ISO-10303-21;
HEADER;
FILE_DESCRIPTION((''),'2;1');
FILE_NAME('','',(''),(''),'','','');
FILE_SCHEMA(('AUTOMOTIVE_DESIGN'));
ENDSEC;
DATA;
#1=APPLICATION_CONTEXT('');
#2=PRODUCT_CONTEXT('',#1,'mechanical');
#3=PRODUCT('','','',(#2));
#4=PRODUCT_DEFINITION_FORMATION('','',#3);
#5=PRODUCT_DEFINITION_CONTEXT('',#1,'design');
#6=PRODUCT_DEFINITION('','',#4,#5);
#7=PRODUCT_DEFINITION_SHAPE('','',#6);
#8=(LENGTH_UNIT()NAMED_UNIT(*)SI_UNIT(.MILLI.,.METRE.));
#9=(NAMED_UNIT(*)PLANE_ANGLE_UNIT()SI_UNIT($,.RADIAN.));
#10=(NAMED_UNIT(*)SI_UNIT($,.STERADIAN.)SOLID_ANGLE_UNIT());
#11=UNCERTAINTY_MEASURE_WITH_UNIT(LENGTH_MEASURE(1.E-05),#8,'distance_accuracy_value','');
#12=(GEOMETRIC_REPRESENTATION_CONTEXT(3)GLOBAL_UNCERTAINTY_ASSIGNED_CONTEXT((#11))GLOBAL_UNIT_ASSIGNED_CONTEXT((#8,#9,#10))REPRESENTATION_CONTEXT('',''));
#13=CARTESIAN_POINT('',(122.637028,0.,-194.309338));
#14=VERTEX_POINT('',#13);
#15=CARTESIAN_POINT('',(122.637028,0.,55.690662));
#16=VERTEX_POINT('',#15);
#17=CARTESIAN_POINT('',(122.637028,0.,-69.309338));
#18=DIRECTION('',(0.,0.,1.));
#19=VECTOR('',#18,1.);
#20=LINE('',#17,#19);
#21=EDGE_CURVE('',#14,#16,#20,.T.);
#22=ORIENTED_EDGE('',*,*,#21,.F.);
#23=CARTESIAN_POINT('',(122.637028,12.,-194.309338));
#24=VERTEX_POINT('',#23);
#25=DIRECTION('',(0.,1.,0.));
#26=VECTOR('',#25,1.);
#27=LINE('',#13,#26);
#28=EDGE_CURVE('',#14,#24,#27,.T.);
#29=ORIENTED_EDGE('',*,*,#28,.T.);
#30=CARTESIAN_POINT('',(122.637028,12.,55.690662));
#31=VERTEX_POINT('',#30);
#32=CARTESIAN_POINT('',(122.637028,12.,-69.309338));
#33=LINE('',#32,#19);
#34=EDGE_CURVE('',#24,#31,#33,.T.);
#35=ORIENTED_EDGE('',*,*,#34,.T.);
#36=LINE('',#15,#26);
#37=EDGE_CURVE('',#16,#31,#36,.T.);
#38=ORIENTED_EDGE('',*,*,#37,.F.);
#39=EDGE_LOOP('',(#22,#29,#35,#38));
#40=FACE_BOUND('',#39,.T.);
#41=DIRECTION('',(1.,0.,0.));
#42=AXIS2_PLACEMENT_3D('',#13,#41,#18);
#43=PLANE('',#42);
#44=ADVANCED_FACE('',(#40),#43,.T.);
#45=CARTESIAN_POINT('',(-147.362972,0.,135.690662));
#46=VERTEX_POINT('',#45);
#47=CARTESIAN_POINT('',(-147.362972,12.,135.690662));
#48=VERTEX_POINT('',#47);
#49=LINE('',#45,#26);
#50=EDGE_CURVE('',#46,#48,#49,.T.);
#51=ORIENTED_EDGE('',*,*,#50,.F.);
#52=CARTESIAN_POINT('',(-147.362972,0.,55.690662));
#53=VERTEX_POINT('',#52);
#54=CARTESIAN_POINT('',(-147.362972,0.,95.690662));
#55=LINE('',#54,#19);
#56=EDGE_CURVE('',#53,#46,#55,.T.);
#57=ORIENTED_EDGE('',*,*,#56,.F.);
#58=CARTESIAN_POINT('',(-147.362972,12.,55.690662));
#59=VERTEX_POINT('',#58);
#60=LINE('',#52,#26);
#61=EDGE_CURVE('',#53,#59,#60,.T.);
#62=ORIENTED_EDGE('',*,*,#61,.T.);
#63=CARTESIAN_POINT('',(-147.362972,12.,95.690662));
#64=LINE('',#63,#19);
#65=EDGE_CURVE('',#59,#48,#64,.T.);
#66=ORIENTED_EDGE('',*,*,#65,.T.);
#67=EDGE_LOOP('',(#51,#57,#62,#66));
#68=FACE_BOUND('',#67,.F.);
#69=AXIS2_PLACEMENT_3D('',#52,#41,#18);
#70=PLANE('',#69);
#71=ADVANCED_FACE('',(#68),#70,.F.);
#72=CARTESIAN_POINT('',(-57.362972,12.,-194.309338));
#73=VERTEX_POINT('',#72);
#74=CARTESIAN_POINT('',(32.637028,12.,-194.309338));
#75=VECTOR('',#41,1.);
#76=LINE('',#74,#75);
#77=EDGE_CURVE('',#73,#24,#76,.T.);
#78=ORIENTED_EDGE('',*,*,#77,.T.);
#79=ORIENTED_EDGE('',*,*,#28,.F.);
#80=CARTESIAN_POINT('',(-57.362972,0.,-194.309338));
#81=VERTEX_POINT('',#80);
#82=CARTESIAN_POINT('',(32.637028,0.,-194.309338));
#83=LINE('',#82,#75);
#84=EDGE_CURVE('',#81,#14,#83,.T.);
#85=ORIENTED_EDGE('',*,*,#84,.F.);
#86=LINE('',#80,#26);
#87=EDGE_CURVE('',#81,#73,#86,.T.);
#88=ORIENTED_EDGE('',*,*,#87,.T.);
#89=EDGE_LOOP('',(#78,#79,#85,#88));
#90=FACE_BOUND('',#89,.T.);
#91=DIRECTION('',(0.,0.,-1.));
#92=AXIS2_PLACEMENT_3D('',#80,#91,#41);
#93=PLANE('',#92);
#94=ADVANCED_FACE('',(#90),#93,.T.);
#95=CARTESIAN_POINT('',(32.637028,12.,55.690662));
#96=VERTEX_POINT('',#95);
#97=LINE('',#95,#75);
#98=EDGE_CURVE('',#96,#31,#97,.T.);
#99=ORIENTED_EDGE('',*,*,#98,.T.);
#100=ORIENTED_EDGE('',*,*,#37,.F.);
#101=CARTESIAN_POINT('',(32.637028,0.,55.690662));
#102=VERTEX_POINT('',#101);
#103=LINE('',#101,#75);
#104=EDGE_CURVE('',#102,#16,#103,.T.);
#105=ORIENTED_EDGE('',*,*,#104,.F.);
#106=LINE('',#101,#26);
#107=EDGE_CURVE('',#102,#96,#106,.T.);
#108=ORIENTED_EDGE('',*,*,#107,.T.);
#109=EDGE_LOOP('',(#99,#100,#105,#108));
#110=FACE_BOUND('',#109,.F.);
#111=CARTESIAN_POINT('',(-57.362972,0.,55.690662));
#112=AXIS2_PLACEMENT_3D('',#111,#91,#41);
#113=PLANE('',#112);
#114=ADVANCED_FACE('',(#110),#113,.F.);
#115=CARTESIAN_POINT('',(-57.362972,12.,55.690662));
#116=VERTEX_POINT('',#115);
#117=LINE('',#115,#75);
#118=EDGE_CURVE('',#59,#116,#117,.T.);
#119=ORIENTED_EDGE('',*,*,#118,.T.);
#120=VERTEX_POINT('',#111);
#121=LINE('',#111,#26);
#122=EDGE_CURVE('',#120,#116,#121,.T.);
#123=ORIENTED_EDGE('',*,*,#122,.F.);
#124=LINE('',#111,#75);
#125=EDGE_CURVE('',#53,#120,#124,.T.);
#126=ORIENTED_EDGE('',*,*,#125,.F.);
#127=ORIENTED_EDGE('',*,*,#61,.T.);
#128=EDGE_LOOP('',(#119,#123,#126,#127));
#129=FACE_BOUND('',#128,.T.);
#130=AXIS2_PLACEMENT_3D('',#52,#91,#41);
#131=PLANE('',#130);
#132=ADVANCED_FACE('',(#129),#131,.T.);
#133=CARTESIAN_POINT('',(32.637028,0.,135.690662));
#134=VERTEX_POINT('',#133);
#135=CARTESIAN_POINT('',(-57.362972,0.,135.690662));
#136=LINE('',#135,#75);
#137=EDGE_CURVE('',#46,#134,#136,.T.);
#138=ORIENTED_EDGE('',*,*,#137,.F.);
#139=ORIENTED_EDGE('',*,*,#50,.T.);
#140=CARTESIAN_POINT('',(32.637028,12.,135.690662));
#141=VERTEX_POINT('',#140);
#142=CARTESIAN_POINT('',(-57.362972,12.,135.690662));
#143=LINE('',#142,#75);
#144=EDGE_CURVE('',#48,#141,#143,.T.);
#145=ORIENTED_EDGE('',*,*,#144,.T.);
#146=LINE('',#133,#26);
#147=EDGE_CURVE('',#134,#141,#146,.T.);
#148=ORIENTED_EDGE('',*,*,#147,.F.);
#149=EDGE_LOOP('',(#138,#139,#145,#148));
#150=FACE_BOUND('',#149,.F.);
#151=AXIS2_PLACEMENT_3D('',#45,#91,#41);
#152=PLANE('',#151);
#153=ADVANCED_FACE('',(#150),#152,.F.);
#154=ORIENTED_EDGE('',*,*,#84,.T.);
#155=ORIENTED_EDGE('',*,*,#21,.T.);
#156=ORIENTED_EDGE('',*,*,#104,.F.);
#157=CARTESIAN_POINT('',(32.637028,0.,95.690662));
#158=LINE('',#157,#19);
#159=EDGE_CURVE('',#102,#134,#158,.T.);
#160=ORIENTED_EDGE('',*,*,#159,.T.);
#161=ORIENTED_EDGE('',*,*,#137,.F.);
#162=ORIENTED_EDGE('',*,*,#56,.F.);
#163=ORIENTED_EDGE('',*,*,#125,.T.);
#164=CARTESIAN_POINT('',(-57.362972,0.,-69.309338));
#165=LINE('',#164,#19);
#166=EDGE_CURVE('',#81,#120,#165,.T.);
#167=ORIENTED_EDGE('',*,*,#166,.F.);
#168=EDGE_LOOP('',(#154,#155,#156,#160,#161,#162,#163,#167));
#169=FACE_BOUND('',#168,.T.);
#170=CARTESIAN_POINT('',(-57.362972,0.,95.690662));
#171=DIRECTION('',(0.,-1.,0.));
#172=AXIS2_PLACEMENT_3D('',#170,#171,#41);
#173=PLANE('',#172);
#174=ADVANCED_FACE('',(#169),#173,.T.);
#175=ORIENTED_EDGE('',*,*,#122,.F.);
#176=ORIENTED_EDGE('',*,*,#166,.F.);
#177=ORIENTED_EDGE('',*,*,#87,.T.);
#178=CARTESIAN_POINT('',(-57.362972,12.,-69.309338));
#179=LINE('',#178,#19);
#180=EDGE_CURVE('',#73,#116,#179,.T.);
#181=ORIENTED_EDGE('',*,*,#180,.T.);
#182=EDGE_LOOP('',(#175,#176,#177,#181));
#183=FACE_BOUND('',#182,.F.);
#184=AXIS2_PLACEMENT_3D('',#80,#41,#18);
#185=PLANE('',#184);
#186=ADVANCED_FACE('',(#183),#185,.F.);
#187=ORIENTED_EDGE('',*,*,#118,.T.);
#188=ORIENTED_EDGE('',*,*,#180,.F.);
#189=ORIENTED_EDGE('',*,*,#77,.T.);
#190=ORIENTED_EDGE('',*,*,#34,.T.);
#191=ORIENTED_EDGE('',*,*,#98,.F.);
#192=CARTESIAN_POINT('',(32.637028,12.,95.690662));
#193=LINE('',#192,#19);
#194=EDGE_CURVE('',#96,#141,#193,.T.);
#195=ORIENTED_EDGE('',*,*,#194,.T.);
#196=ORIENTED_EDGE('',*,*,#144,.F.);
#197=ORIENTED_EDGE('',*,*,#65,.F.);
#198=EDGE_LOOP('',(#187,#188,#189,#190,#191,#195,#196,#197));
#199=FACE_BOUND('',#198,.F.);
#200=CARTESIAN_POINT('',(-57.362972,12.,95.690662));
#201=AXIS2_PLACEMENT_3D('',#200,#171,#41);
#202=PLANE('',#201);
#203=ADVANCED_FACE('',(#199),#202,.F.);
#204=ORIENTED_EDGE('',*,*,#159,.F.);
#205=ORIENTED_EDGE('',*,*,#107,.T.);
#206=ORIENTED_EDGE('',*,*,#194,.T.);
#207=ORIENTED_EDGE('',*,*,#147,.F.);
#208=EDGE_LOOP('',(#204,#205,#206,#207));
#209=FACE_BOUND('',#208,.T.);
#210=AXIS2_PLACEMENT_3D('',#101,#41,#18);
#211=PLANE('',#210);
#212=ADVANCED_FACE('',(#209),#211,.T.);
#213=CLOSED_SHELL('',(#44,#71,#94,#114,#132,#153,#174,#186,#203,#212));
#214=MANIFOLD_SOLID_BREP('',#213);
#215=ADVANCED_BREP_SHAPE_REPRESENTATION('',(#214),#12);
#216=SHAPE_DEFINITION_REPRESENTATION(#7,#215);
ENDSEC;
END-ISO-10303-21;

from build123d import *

# Parameters (mm, degrees)
F0_W     = 180
F0_H     = 250
F1_DEPTH = 12
F2_W     = 180
F2_H     = 80
F3_DEPTH = 12


with BuildPart() as f1:
    # F0 (on Front) → F1 (new body)
    with BuildSketch(Plane.XZ):
        with Locations((32.637028, -69.309338)):
            Rectangle(F0_W, F0_H)
    extrude(amount=-F1_DEPTH)

    # F2 (on face) → F3 (join)
    with BuildSketch(Plane.XZ):
        with Locations((-57.362972, 95.690662)):
            Rectangle(F2_W, F2_H)
    extrude(amount=-F3_DEPTH)


solid = f1.part
